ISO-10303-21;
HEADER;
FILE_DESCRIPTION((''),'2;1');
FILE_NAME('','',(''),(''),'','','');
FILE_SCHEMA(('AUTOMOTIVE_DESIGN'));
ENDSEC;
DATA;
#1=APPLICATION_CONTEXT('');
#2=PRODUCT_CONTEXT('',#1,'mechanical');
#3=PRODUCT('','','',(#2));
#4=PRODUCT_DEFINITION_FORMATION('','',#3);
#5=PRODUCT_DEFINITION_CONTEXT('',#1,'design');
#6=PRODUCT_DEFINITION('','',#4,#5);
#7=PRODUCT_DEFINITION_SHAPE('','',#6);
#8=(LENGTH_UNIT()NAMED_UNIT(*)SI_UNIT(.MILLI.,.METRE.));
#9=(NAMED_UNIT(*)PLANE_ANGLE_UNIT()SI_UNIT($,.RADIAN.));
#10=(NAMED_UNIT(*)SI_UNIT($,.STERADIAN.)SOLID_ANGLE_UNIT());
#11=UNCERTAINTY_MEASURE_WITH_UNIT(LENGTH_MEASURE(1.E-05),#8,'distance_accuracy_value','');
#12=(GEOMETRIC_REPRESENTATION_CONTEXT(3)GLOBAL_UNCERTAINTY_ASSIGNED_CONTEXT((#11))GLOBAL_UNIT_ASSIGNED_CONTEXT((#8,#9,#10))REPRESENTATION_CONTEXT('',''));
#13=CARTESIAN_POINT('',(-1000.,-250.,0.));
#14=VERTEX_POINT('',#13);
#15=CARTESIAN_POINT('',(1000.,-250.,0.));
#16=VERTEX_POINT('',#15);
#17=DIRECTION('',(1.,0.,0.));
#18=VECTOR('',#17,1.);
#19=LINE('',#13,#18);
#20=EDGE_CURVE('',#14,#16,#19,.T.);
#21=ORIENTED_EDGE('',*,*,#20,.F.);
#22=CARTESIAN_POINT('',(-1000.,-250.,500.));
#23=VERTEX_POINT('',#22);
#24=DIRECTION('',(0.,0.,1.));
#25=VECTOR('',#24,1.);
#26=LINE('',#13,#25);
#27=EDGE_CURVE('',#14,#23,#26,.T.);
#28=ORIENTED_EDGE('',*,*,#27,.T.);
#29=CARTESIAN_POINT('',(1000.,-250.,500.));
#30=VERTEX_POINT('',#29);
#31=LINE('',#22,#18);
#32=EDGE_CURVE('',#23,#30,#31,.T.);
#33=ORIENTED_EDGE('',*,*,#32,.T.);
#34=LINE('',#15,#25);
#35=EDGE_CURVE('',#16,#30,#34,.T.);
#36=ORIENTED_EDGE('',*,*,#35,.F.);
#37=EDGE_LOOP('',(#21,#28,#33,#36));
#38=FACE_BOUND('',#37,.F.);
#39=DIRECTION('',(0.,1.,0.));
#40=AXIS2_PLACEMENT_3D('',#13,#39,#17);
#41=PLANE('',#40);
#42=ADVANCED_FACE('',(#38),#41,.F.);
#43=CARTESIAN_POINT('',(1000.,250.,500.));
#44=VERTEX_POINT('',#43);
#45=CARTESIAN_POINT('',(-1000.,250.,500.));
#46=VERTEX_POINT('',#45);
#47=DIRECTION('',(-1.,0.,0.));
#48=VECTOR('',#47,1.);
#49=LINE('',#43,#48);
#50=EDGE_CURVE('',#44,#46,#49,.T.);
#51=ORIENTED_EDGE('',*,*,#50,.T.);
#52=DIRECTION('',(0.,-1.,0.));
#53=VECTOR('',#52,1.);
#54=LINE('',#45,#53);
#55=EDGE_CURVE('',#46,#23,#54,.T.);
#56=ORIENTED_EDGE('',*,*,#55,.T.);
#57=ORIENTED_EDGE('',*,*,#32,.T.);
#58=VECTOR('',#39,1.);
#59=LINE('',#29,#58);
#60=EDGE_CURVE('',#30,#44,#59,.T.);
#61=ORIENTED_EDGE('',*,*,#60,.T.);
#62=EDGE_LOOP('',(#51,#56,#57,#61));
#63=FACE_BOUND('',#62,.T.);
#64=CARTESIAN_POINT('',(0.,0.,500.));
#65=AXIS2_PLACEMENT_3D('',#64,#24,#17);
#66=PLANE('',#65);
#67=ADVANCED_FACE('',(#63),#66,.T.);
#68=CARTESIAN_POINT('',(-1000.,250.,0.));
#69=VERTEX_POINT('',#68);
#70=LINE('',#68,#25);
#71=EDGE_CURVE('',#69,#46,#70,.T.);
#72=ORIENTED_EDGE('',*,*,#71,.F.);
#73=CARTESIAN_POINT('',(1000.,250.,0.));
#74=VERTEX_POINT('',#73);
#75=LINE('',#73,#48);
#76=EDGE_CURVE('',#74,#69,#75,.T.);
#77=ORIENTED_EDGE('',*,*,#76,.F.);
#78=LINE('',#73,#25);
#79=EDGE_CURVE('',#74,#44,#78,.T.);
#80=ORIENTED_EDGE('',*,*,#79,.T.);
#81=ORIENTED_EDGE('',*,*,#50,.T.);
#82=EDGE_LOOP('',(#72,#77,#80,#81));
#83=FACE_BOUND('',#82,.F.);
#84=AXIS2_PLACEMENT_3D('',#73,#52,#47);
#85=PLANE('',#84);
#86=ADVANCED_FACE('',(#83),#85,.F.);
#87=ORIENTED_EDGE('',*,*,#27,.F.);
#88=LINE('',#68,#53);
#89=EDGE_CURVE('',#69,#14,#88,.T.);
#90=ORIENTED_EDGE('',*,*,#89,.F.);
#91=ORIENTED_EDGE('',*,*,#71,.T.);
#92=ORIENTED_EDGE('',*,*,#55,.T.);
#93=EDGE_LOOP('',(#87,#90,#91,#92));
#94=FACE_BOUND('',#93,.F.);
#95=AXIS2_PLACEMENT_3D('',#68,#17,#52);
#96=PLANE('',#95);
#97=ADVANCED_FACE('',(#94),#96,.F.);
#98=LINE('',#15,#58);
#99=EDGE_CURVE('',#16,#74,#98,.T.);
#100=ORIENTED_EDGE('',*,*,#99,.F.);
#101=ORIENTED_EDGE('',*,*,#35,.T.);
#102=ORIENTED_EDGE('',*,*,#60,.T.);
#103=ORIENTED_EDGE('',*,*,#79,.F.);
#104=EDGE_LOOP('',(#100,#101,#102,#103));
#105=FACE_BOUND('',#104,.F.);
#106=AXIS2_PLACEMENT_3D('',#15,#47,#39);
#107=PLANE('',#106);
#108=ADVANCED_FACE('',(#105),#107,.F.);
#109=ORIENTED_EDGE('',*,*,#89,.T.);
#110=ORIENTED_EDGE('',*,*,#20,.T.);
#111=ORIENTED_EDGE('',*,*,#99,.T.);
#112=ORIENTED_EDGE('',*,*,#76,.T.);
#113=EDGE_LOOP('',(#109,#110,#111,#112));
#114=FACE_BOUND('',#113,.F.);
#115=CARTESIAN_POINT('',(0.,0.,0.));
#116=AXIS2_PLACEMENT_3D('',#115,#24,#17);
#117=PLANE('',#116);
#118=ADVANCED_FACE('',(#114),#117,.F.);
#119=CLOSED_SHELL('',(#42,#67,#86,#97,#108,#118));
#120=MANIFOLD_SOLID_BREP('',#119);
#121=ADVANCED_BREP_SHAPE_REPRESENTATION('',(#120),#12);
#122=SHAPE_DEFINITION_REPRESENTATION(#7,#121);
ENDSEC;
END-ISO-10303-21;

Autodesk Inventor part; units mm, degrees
ref_plane "YZ Plane" through (0, 0, 0) normal (1, 0, 0) x (0, 1, 0)
ref_plane "XZ Plane" through (0, 0, 0) normal (0, 1, 0) x (-1, 0, 0)
ref_plane "XY Plane" through (0, 0, 0) normal (0, 0, 1) x (1, 0, 0)
sketch "Esquisse1" plane through (0, 0, 0) normal (0, 0, 1) x (1, 0, 0)
  line L0 (-1000, -250) -> (1000, -250)
  line L1 (1000, -250) -> (1000, 250)
  line L2 (1000, 250) -> (-1000, 250)
  line L3 (-1000, 250) -> (-1000, -250)
  line L4 (-1000, -250) -> (1000, 250) construction
  line L5 (1000, -250) -> (-1000, 250) construction
  point P0 (0, 0)
  dimension "d0" = 2000
  dimension "d1" = 500
extrude "Extrusion1" add sketch "Esquisse1" along normal blind 500
properties part number "1420-06 Meuble noir" material "Bois (bouleau)"
